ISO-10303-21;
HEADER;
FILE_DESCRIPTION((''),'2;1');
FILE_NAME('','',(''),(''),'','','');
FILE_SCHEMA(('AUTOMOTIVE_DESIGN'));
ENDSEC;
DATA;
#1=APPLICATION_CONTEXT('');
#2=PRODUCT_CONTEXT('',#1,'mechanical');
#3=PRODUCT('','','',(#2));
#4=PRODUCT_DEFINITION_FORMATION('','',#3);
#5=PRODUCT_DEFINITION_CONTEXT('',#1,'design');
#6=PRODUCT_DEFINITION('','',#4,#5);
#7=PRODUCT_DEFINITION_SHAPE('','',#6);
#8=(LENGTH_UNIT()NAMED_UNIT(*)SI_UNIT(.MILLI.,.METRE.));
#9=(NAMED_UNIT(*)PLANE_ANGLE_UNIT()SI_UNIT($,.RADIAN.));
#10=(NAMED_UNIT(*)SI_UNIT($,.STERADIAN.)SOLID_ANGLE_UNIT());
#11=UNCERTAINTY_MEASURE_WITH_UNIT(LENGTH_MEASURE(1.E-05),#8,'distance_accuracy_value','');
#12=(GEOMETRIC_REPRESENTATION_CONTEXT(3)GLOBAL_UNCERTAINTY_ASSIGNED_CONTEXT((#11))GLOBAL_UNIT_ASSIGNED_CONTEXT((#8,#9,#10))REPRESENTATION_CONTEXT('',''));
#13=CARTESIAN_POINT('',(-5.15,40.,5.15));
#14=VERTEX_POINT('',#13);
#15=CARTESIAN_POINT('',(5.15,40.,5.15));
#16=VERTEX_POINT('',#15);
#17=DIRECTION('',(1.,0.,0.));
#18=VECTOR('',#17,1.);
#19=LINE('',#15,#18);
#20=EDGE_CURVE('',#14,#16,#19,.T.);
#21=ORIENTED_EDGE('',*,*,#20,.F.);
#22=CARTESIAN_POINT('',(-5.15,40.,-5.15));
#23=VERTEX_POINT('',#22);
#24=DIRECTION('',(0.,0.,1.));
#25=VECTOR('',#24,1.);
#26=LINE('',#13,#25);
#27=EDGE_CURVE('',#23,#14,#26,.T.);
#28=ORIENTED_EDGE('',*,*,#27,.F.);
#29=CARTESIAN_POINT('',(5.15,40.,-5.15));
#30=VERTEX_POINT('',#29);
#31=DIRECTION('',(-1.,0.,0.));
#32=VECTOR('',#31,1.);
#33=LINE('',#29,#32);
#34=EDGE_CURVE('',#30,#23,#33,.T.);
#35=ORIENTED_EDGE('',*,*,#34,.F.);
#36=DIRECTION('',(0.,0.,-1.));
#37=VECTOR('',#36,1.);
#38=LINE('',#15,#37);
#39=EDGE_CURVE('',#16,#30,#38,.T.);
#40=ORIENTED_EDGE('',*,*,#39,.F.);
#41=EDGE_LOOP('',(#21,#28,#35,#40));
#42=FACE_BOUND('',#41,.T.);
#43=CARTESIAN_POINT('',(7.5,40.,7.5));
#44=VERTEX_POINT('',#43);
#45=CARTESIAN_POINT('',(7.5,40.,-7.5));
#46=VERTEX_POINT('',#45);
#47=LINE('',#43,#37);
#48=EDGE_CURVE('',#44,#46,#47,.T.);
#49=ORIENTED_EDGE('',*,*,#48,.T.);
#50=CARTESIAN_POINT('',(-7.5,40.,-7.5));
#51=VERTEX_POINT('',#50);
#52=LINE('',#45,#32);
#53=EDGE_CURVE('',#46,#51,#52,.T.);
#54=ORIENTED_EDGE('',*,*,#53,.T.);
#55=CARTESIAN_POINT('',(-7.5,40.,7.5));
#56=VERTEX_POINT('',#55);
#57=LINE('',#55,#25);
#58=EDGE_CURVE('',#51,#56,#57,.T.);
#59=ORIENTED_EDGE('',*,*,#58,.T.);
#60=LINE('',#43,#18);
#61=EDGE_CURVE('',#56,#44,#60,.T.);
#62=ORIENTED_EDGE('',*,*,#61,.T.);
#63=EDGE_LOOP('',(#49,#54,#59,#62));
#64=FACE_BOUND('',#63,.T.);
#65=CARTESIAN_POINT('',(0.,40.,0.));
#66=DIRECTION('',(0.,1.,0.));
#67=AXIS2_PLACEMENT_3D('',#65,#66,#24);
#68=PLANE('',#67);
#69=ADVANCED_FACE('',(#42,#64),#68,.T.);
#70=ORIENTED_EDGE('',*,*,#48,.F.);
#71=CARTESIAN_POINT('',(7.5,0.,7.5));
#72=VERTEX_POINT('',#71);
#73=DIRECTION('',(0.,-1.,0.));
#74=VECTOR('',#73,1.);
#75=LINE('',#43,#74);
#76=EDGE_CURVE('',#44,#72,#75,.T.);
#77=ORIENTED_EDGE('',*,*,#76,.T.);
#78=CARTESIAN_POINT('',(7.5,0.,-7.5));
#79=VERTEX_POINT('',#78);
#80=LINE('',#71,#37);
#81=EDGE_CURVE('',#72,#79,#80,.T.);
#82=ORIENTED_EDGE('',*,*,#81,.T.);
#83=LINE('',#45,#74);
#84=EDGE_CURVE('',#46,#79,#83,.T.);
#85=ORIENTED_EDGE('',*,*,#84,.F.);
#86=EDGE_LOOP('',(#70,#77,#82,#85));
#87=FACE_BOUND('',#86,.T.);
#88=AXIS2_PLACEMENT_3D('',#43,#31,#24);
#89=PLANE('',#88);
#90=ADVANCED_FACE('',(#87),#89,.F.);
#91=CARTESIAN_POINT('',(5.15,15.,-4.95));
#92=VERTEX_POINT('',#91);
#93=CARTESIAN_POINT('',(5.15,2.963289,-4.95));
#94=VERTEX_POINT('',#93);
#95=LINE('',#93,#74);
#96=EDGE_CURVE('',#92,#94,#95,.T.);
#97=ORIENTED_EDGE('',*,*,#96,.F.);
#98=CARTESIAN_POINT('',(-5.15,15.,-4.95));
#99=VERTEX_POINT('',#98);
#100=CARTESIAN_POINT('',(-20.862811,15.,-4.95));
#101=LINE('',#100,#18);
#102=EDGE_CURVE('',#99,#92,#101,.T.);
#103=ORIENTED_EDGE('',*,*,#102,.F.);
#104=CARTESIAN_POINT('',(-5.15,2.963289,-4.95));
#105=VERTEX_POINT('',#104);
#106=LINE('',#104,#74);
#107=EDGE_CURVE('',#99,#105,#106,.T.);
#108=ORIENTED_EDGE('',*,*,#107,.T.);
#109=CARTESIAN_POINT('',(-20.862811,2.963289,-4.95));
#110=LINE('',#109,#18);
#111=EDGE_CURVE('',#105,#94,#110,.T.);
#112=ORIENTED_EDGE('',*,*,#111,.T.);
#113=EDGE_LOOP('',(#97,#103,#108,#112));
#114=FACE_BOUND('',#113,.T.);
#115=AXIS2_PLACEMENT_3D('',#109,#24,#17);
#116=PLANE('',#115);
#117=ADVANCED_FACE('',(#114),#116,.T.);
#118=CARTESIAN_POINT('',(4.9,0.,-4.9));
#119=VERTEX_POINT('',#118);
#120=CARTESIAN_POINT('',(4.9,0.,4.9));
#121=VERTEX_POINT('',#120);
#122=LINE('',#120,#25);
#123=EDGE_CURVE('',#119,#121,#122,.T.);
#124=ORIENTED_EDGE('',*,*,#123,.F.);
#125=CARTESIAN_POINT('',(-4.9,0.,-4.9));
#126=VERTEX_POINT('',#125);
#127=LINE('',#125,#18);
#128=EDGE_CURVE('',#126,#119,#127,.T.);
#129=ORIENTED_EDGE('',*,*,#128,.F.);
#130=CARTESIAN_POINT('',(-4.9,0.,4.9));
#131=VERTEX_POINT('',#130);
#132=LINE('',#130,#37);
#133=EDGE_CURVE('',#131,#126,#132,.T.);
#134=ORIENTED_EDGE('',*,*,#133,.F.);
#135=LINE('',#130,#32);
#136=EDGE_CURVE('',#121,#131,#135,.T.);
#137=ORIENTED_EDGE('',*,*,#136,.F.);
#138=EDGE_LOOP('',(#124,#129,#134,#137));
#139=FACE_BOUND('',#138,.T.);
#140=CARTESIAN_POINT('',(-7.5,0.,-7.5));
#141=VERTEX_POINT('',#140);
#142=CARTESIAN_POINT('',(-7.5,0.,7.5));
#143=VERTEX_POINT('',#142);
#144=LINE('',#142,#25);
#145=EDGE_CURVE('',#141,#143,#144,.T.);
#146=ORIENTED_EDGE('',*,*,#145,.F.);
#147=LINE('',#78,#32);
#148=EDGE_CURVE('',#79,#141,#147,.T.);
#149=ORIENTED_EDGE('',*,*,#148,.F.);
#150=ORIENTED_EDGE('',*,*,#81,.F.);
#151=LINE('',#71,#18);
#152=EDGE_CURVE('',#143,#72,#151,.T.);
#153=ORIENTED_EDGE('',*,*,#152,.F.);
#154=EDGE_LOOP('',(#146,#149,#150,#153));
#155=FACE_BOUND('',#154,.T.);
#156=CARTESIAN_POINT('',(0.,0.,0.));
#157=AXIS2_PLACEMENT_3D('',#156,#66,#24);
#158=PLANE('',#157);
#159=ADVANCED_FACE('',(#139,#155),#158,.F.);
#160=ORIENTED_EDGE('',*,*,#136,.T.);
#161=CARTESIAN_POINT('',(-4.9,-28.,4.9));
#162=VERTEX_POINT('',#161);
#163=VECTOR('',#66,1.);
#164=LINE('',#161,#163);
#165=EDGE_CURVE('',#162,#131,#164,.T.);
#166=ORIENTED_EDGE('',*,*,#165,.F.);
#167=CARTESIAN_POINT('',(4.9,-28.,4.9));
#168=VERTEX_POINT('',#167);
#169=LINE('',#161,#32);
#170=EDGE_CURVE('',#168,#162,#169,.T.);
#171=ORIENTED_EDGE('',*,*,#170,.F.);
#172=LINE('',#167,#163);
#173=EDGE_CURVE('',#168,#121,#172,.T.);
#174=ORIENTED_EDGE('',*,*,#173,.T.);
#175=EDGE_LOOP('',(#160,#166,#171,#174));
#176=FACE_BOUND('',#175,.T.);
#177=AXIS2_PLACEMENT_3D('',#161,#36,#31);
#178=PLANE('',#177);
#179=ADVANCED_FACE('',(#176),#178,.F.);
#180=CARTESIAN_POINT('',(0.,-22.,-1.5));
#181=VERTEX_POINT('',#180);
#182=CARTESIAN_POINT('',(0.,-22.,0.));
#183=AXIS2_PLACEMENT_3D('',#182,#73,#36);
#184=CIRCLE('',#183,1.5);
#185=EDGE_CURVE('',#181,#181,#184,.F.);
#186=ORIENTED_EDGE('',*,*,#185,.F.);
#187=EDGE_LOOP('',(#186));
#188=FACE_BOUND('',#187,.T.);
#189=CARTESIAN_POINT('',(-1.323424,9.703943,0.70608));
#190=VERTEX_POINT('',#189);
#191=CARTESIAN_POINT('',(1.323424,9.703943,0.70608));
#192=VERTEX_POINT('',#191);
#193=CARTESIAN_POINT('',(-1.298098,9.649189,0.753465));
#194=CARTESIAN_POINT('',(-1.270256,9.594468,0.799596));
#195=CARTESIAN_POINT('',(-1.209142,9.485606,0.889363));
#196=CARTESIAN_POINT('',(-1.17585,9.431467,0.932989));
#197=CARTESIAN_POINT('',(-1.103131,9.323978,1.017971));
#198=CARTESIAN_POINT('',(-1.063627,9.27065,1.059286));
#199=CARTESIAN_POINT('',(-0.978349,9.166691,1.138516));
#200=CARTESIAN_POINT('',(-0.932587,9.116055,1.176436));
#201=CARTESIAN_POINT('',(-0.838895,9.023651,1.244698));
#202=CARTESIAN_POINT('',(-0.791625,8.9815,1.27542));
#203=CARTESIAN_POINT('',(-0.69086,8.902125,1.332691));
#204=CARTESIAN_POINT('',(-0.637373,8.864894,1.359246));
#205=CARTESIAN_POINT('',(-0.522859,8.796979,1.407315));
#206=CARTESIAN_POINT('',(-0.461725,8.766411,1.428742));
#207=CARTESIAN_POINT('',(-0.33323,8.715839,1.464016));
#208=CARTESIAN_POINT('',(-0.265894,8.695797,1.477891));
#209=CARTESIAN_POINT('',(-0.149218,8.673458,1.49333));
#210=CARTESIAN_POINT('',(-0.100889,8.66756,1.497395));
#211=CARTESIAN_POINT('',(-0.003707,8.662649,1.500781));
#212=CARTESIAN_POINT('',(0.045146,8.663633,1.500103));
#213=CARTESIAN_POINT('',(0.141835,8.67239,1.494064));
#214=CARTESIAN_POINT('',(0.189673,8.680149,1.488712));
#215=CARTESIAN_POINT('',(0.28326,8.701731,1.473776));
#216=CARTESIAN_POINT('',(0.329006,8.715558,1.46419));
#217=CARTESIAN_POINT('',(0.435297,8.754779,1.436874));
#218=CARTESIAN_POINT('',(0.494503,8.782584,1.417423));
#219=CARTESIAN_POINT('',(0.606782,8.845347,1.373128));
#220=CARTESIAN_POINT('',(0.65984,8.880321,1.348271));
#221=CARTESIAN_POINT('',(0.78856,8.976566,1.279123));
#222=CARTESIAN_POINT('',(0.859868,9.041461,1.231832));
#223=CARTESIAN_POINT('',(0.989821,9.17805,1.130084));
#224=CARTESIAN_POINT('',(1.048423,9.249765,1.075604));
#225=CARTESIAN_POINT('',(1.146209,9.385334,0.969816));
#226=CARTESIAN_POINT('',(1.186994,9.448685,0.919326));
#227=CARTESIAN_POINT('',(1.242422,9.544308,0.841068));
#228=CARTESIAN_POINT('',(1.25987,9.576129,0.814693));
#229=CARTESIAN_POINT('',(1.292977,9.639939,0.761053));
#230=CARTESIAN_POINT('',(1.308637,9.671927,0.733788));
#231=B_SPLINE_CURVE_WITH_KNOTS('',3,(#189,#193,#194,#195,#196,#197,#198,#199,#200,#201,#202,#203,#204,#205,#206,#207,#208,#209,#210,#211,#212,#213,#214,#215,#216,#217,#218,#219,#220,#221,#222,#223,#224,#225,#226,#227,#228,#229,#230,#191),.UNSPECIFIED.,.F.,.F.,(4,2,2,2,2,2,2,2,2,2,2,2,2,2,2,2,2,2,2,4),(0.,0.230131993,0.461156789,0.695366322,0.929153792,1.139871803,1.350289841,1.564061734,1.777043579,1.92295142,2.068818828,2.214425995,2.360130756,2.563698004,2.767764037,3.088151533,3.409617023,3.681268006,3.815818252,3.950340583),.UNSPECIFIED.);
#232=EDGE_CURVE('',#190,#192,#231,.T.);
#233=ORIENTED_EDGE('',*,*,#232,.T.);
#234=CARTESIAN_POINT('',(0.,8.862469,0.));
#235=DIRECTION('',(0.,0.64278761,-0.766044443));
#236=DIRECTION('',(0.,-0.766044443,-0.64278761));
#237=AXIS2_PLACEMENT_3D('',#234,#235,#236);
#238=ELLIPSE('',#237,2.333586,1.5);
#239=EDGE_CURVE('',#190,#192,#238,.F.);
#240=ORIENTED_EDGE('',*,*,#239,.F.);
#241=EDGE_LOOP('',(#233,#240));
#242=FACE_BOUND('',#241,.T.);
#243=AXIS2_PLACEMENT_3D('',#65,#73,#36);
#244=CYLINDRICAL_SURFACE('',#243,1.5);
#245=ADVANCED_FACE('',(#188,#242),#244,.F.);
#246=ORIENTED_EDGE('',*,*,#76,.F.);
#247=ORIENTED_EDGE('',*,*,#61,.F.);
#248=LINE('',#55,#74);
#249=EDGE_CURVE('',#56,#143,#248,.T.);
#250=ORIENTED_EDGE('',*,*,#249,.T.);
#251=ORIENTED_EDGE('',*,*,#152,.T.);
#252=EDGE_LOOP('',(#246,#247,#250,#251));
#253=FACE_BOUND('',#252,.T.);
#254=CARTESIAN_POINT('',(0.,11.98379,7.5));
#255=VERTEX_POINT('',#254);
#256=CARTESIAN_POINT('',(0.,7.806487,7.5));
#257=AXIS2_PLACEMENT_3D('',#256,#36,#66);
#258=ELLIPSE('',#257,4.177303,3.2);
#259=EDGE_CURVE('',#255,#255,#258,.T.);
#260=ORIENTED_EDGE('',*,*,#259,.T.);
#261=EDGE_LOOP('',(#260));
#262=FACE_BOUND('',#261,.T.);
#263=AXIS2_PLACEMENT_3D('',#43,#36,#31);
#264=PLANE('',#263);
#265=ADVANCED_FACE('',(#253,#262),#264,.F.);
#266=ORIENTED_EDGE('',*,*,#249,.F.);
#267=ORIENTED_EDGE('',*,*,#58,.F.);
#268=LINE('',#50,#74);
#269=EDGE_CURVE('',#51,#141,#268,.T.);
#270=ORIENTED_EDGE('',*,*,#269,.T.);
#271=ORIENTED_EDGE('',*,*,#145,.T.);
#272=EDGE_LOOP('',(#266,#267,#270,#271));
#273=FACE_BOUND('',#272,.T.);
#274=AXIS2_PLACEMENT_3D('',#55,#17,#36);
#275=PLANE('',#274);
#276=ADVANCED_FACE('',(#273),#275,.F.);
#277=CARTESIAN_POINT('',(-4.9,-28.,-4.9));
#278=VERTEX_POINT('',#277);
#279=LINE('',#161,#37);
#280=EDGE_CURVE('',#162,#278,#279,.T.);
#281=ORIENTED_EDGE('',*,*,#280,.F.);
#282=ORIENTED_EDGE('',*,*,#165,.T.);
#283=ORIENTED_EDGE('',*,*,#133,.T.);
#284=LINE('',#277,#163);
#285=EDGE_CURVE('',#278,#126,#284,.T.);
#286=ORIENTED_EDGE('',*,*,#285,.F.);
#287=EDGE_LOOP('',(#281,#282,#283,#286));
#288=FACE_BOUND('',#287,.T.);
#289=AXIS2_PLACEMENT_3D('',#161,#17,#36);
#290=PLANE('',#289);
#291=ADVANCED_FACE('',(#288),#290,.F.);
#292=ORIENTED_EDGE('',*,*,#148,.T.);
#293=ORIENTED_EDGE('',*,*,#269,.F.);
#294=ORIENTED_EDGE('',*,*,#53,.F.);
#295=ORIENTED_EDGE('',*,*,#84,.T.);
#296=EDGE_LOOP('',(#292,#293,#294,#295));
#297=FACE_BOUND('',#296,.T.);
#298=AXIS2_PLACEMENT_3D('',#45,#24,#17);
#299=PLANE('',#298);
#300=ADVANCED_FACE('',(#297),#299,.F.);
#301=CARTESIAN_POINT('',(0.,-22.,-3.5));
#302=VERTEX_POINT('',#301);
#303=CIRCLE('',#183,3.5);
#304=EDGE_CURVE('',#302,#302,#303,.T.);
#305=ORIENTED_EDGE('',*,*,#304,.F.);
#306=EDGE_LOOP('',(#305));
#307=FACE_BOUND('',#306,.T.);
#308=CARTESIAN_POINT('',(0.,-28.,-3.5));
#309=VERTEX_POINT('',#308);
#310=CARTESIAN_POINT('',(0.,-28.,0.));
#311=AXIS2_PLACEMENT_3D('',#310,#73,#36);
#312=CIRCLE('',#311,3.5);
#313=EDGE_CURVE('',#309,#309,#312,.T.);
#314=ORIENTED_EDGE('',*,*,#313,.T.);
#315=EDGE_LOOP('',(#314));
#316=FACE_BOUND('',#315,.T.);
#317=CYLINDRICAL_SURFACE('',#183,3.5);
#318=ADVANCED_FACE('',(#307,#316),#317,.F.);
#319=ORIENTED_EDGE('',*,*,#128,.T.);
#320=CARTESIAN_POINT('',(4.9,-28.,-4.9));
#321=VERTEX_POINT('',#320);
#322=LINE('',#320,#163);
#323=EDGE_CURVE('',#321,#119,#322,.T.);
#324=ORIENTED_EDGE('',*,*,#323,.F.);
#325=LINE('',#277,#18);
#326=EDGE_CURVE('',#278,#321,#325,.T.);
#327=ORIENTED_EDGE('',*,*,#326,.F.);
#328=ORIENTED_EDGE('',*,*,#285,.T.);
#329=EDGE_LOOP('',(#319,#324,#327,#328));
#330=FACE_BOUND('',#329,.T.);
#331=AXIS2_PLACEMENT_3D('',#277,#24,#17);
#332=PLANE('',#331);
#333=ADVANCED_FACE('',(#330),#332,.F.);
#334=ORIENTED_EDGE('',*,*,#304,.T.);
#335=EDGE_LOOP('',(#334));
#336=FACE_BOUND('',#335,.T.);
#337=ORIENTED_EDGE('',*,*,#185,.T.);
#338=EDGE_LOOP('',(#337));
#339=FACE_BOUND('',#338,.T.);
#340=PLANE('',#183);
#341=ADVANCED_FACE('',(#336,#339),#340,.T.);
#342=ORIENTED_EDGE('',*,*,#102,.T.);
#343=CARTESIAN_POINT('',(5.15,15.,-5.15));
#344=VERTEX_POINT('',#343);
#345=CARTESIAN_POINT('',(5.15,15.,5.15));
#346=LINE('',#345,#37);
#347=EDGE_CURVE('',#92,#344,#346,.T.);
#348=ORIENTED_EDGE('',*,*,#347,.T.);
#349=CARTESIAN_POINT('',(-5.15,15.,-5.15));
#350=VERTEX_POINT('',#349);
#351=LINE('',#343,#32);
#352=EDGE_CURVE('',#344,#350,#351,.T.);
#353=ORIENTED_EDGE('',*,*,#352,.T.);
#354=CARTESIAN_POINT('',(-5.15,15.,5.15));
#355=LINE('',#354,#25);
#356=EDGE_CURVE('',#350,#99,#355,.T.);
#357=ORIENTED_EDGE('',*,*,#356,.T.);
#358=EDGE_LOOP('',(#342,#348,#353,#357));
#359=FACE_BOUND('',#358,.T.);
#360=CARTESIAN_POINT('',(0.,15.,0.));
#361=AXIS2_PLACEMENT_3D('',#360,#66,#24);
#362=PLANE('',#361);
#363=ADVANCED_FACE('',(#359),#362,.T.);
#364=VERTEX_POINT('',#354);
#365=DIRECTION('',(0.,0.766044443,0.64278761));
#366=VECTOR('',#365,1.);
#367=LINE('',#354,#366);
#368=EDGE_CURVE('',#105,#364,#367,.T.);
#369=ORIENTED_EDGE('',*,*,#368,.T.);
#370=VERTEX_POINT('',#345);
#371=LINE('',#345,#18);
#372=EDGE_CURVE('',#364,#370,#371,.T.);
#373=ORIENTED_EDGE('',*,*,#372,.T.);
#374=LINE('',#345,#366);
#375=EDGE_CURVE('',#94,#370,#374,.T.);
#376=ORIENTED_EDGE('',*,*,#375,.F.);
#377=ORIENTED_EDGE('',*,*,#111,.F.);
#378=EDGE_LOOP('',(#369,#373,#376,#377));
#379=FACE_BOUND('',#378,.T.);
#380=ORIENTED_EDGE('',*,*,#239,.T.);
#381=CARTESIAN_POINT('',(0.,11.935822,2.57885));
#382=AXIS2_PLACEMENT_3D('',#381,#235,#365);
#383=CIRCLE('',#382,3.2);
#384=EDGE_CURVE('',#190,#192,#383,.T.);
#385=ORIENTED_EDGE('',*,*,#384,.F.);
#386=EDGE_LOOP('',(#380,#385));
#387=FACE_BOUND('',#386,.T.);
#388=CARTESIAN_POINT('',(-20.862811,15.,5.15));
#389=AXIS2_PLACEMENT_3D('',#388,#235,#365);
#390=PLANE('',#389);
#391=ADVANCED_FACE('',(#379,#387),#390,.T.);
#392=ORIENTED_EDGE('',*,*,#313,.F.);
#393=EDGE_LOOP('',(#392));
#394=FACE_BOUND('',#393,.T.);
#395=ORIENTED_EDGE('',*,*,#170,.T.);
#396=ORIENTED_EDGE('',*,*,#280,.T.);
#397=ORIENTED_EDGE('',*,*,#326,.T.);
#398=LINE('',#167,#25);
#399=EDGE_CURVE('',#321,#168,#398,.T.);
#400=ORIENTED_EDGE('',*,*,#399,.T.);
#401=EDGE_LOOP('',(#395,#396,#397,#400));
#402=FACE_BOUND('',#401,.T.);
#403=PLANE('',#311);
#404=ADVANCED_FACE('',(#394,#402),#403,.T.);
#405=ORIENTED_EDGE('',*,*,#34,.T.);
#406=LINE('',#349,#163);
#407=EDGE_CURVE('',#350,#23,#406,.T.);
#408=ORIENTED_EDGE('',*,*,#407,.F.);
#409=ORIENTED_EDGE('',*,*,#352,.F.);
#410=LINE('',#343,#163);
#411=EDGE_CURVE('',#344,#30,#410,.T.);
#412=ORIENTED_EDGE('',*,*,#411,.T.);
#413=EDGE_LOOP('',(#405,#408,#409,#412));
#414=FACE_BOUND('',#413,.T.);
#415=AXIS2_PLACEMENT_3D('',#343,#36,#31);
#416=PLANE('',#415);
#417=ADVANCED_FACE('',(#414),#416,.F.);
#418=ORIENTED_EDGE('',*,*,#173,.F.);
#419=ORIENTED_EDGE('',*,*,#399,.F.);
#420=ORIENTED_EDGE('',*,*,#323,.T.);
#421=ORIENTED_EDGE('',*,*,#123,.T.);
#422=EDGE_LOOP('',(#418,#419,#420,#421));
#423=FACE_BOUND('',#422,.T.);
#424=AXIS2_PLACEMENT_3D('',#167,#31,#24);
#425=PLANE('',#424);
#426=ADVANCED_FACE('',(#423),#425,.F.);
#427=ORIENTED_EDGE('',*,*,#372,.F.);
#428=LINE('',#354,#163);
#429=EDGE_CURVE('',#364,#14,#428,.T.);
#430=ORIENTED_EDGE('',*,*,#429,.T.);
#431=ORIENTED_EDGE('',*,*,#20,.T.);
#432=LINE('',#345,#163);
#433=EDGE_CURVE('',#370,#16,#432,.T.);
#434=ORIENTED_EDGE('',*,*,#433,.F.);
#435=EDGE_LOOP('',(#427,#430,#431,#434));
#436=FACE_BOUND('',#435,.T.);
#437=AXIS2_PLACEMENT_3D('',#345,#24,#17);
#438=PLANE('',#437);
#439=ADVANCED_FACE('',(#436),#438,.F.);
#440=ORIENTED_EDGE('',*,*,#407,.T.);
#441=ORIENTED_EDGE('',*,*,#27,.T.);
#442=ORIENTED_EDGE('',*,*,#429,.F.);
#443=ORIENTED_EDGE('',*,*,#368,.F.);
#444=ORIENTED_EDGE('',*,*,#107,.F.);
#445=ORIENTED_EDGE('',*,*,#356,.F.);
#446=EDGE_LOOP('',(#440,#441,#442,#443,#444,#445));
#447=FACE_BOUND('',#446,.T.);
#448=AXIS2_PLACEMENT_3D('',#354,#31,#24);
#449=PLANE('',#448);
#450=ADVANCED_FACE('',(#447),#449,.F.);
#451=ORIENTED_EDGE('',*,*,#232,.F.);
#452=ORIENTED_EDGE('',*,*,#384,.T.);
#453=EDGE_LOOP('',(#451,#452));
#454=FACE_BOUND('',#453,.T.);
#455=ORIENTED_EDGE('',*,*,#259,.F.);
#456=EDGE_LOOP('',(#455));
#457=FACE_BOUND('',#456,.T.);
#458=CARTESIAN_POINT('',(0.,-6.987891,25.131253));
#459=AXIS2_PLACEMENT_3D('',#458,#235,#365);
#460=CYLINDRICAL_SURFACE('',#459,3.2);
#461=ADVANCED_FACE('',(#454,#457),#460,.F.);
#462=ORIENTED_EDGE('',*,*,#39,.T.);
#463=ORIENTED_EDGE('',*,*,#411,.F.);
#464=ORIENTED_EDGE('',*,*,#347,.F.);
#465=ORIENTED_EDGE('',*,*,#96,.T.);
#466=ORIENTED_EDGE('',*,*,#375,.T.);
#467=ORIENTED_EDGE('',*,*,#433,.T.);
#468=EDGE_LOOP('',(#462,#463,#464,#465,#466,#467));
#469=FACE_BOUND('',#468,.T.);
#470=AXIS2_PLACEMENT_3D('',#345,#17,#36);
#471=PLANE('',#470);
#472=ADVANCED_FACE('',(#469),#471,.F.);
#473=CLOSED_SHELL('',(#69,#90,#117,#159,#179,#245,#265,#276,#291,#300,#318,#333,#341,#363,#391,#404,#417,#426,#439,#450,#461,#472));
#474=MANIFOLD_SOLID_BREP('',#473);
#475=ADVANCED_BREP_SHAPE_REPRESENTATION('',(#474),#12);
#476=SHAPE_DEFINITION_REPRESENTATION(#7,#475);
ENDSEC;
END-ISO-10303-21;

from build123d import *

# Parameters (mm, degrees)
SKETCH1_W           = 15
SKETCH1_H           = 15
BOSS_EXTRUDE1_DEPTH = 40
SKETCH2_W           = 9.8
SKETCH2_H           = 9.8
BOSS_EXTRUDE2_DEPTH = 28
SKETCH3_R           = 1.5
CUT_EXTRUDE1_DEPTH  = 69.822234779
SKETCH4_R           = 3.5
CUT_EXTRUDE2_DEPTH  = 6
SKETCH5_W           = 10.3
SKETCH5_H           = 10.3
CUT_EXTRUDE3_DEPTH  = 25
CUT_EXTRUDE8_DEPTH  = 10.3
SKETCH8_R           = 3.2
CUT_EXTRUDE10_DEPTH = 39.954720357


with BuildPart() as part:
    # Sketch1 → Boss-Extrude1 (new body)
    with BuildSketch(Plane(origin=(0, 0, 0), x_dir=(1, 0, 0), z_dir=(0, 1, 0))):
        Rectangle(SKETCH1_W, SKETCH1_H)
    extrude(amount=BOSS_EXTRUDE1_DEPTH)

    # Sketch2 → Boss-Extrude2 (add)
    with BuildSketch(Plane.XZ):
        Rectangle(SKETCH2_W, SKETCH2_H)
    extrude(amount=BOSS_EXTRUDE2_DEPTH)

    # Sketch3 → Cut-Extrude1 (cut, through all)
    with BuildSketch(Plane.XZ.offset(28)):
        with Locations(Location((0, 0, 0), (0, 0, 270))):
            Circle(SKETCH3_R)
    extrude(amount=-CUT_EXTRUDE1_DEPTH, mode=Mode.SUBTRACT)

    # Sketch4 → Cut-Extrude2 (cut)
    with BuildSketch(Plane.XZ.offset(28)):
        with Locations(Location((0, 0, 0), (0, 0, 270))):
            Circle(SKETCH4_R)
    extrude(amount=-CUT_EXTRUDE2_DEPTH, mode=Mode.SUBTRACT)

    # Sketch5 → Cut-Extrude3 (cut)
    with BuildSketch(Plane(origin=(0, 40, 0), x_dir=(1, 0, 0), z_dir=(0, 1, 0))):
        Rectangle(SKETCH5_W, SKETCH5_H)
    extrude(amount=-CUT_EXTRUDE3_DEPTH, mode=Mode.SUBTRACT)

    # Sketch6 → Cut-Extrude8 (cut)
    with BuildSketch(Plane.ZY.offset(-5.15)):
        Polygon((5.15, 15), (-4.95, 2.963288715), (-4.95, 15), align=None)
    extrude(amount=CUT_EXTRUDE8_DEPTH, mode=Mode.SUBTRACT)

    # Sketch8 → Cut-Extrude10 (cut, through all)
    with BuildSketch(Plane(origin=(0, 3.661758703, -4.36391409), x_dir=(-1, 0, 0), z_dir=(0, 0.6427876096865436, -0.7660444431189745))):
        with Locations(Location((0, 10.801022837, 0), (0, 0, 90))):
            Circle(SKETCH8_R)
    extrude(amount=-CUT_EXTRUDE10_DEPTH, mode=Mode.SUBTRACT)


solid = part.part
